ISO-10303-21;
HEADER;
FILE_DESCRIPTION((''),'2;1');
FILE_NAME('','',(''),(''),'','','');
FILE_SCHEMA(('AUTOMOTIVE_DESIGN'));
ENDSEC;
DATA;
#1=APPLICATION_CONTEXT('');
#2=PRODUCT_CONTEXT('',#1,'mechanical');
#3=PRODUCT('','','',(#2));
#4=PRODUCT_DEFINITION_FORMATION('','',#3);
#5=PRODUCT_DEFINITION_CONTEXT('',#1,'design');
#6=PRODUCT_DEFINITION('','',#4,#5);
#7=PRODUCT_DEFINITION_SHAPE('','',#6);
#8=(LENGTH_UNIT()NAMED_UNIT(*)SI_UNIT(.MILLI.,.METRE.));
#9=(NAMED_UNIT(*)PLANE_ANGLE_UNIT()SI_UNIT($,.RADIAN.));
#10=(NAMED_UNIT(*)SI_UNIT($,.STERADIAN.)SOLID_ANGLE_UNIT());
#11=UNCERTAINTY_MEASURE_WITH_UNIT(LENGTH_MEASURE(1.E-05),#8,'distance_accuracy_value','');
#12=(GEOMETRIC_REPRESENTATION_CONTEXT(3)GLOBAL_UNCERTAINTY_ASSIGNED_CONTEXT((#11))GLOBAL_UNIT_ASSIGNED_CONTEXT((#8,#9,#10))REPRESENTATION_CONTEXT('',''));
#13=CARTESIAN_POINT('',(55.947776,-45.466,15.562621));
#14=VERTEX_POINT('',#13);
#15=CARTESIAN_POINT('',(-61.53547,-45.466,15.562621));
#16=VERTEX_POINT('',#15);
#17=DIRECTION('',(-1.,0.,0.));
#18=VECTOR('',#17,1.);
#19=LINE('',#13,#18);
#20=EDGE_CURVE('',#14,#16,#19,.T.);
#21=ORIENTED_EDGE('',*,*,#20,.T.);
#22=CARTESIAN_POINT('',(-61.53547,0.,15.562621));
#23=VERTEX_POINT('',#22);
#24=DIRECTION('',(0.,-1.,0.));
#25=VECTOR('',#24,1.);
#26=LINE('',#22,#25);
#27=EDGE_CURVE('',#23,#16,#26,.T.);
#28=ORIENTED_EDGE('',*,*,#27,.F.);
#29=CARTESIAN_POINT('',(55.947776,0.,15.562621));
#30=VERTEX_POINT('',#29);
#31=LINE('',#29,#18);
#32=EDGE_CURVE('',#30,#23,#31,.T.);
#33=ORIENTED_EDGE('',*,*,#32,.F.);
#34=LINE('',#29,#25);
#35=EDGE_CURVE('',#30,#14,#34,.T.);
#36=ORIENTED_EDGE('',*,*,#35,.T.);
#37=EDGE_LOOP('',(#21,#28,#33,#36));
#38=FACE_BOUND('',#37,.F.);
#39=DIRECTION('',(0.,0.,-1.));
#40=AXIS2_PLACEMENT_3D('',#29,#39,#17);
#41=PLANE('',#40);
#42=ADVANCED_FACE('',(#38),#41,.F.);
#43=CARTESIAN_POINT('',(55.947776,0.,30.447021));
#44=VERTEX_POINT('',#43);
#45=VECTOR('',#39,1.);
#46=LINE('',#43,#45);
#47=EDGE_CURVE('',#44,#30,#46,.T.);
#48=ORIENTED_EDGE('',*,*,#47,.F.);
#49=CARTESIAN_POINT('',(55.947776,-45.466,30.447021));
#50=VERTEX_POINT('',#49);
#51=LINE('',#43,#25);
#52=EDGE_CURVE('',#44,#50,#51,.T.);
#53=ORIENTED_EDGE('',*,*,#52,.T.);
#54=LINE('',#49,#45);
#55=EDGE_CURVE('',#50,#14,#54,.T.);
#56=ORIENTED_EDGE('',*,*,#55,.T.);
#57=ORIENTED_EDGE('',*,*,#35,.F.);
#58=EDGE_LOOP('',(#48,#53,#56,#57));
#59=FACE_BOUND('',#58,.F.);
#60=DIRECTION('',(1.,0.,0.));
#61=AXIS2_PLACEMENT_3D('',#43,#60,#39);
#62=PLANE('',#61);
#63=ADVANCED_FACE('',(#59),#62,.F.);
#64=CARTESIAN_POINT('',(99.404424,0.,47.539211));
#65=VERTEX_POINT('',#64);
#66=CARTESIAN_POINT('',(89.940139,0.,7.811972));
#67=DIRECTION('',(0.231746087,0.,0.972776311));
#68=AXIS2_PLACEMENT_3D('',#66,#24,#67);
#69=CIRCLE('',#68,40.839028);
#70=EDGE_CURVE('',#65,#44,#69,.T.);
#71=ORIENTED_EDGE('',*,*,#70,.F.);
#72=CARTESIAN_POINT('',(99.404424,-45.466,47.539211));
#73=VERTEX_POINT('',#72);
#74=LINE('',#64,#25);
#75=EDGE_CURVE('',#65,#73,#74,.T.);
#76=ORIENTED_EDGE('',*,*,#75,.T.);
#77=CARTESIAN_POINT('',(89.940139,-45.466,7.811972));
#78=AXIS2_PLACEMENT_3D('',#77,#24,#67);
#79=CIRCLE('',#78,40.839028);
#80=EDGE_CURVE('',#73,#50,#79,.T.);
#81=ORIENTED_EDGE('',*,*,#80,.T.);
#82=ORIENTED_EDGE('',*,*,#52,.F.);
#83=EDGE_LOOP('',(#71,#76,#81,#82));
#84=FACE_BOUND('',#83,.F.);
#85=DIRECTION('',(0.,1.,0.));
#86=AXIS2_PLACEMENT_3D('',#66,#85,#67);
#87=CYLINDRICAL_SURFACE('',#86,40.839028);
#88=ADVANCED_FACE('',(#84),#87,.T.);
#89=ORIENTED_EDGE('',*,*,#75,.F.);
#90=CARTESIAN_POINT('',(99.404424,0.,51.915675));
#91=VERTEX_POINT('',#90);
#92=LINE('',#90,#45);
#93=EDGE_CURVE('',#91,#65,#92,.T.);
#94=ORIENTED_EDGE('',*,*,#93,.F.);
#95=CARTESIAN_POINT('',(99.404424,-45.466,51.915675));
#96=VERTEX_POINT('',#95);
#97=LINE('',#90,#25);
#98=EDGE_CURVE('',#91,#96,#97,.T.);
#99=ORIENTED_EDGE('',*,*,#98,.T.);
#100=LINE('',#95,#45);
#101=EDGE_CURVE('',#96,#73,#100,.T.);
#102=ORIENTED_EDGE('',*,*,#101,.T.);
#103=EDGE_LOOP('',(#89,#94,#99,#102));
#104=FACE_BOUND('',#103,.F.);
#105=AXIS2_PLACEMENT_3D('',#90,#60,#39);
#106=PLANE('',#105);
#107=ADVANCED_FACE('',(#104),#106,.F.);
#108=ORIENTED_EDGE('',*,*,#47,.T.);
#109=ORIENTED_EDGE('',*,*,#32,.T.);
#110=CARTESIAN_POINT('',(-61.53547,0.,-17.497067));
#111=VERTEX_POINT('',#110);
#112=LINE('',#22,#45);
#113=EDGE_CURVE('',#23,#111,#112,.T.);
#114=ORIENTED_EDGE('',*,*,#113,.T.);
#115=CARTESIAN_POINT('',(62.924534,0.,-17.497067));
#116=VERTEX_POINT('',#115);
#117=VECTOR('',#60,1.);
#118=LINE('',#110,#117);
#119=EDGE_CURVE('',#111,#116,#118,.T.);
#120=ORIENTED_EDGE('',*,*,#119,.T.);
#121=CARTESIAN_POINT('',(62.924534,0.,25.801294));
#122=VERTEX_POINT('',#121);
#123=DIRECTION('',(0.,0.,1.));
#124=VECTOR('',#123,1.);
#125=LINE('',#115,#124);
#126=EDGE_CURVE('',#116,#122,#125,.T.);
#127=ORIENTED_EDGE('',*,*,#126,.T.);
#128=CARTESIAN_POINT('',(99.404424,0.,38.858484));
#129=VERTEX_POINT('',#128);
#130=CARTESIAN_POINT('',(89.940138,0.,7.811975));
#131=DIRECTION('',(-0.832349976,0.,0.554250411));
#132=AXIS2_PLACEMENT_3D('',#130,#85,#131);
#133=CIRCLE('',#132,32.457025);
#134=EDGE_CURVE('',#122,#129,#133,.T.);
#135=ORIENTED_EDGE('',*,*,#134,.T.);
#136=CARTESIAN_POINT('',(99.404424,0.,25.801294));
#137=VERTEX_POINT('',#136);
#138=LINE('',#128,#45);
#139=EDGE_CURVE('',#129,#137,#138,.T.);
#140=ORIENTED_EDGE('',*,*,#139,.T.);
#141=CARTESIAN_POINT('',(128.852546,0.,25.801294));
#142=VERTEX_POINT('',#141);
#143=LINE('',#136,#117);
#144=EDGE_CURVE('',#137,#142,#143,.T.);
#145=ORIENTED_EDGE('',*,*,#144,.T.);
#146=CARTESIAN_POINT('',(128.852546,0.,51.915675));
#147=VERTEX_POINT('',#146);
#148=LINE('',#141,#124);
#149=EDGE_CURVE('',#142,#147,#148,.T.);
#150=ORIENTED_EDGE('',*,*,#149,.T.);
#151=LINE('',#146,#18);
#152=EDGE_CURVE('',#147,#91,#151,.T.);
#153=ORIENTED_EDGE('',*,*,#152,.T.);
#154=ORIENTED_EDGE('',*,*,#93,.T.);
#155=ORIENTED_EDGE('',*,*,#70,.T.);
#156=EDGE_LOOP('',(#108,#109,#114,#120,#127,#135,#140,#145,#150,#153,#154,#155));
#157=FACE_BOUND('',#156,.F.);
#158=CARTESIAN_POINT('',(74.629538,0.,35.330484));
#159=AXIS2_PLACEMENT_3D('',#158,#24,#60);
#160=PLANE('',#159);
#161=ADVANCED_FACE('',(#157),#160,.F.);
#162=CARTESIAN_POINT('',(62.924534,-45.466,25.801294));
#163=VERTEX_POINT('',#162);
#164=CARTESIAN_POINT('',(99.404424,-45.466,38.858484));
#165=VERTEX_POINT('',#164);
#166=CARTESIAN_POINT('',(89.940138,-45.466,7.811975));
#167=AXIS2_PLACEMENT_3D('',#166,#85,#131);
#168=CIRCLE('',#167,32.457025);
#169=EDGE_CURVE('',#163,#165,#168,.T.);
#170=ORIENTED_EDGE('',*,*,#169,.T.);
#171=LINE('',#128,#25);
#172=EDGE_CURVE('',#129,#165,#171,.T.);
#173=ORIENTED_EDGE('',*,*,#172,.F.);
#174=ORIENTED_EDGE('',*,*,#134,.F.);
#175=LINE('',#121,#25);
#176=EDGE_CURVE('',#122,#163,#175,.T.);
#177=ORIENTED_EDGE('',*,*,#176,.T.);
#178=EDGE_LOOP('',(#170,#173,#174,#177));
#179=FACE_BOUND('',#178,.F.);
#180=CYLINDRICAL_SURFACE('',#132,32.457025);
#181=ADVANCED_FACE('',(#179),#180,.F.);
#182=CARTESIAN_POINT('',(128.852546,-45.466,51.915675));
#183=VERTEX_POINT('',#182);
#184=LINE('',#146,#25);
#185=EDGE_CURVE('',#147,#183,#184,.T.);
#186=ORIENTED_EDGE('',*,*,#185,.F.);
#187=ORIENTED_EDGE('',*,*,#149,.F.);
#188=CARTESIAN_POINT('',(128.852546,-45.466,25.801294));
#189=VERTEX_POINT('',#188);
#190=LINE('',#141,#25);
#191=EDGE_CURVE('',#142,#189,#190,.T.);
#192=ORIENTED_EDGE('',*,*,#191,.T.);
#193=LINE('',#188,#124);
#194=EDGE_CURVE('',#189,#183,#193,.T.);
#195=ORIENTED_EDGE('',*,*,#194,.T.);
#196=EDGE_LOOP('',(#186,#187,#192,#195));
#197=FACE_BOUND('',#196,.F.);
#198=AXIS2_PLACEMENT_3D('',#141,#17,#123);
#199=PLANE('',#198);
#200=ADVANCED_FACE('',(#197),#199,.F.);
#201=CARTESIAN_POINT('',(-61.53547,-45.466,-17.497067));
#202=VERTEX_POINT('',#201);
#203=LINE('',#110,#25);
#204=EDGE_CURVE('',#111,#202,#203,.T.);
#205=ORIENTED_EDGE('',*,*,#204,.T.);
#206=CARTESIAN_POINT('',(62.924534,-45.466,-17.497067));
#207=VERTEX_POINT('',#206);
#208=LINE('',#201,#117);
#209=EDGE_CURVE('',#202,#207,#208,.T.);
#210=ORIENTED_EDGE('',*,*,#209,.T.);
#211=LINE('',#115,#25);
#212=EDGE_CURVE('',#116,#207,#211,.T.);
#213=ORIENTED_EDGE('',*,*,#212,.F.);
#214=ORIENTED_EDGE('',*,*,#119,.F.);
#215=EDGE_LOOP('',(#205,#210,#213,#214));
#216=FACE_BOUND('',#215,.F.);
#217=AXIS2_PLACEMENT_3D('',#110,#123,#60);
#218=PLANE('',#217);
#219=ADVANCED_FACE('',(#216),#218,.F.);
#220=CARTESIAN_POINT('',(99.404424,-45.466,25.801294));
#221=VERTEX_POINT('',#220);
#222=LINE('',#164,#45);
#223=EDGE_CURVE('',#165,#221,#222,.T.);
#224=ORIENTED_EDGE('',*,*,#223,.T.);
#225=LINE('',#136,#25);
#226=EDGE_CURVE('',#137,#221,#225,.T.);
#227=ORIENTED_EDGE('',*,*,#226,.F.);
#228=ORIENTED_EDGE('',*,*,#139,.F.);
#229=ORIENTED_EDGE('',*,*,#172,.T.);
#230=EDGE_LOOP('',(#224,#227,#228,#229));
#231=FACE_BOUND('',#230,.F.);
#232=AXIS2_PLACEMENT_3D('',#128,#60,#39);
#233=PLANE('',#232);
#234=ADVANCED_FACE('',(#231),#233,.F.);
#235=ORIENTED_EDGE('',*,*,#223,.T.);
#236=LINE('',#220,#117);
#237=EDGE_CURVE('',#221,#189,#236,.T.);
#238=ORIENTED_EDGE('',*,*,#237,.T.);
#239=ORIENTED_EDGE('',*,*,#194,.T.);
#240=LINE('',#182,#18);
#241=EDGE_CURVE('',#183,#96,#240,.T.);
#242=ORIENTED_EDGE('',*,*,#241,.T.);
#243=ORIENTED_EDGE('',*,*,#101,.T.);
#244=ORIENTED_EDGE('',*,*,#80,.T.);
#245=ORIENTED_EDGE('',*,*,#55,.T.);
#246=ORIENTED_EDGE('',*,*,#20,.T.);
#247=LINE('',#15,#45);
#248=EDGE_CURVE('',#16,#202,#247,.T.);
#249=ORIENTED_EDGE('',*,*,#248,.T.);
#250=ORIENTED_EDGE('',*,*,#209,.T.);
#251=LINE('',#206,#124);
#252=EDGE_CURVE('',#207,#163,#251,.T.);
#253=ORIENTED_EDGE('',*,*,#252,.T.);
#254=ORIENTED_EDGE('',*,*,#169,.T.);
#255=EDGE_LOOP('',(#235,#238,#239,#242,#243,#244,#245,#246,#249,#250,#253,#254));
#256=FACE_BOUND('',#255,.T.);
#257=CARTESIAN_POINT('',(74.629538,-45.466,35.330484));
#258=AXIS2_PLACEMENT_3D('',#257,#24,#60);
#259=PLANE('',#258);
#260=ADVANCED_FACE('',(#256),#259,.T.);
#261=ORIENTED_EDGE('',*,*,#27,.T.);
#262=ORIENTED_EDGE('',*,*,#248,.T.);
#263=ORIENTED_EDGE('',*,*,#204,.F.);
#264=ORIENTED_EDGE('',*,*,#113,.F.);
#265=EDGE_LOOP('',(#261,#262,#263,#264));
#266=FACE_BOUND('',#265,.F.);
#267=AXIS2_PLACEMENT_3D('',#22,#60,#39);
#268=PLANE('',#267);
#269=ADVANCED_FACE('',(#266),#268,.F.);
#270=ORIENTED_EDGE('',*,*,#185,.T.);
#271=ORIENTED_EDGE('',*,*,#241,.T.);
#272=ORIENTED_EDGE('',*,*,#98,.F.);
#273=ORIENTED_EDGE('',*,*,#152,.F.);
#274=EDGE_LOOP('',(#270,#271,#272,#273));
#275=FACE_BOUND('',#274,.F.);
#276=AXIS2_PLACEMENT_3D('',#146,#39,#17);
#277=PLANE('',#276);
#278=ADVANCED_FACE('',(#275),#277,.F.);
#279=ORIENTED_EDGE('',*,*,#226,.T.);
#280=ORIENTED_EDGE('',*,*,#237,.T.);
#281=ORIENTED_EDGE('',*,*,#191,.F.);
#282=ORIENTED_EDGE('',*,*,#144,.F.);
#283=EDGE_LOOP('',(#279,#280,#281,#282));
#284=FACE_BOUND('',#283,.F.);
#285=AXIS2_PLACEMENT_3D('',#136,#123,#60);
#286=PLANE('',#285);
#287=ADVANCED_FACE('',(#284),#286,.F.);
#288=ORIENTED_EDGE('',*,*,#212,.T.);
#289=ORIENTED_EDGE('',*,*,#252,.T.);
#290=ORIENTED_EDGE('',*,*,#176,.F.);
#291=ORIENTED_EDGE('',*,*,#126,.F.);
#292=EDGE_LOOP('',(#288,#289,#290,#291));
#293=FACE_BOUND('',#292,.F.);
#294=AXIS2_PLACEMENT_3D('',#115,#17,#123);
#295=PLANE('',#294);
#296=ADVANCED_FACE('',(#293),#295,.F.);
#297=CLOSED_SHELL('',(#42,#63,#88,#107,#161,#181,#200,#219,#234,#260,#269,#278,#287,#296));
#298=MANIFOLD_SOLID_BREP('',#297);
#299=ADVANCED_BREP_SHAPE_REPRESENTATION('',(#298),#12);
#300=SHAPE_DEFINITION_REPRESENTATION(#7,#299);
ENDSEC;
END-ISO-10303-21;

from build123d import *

# Parameters (mm, degrees)
F1_DEPTH = 45.466


with BuildPart() as f1:
    # F0 (on Front) → F1 (new body)
    with BuildSketch(Plane.XZ):
        with BuildLine():
            Line((55.947776, 30.447021), (55.947776, 15.562621))
            Line((55.947776, 15.562621), (62.924534, 15.562621))
            Line((62.924534, 15.562621), (62.924534, 25.801294))
            ThreePointArc((62.924534, 25.801294), (79.002371, 38.370504), (99.404424, 38.858484))
            Line((99.404424, 38.858484), (99.404424, 47.539211))
            ThreePointArc((99.404424, 47.539211), (74.99215, 45.817022), (55.947776, 30.447021))
        make_face()
        Polygon((99.404424, 51.915675), (99.404424, 47.539211), (99.404424, 38.858484), (99.404424, 25.801294), (128.852546, 25.801294), (128.852546, 51.915675), align=None)
        Polygon((55.947776, 15.562621), (-61.53547, 15.562621), (-61.53547, -17.497067), (62.924534, -17.497067), (62.924534, 15.562621), align=None)
    extrude(amount=F1_DEPTH)


solid = f1.part
